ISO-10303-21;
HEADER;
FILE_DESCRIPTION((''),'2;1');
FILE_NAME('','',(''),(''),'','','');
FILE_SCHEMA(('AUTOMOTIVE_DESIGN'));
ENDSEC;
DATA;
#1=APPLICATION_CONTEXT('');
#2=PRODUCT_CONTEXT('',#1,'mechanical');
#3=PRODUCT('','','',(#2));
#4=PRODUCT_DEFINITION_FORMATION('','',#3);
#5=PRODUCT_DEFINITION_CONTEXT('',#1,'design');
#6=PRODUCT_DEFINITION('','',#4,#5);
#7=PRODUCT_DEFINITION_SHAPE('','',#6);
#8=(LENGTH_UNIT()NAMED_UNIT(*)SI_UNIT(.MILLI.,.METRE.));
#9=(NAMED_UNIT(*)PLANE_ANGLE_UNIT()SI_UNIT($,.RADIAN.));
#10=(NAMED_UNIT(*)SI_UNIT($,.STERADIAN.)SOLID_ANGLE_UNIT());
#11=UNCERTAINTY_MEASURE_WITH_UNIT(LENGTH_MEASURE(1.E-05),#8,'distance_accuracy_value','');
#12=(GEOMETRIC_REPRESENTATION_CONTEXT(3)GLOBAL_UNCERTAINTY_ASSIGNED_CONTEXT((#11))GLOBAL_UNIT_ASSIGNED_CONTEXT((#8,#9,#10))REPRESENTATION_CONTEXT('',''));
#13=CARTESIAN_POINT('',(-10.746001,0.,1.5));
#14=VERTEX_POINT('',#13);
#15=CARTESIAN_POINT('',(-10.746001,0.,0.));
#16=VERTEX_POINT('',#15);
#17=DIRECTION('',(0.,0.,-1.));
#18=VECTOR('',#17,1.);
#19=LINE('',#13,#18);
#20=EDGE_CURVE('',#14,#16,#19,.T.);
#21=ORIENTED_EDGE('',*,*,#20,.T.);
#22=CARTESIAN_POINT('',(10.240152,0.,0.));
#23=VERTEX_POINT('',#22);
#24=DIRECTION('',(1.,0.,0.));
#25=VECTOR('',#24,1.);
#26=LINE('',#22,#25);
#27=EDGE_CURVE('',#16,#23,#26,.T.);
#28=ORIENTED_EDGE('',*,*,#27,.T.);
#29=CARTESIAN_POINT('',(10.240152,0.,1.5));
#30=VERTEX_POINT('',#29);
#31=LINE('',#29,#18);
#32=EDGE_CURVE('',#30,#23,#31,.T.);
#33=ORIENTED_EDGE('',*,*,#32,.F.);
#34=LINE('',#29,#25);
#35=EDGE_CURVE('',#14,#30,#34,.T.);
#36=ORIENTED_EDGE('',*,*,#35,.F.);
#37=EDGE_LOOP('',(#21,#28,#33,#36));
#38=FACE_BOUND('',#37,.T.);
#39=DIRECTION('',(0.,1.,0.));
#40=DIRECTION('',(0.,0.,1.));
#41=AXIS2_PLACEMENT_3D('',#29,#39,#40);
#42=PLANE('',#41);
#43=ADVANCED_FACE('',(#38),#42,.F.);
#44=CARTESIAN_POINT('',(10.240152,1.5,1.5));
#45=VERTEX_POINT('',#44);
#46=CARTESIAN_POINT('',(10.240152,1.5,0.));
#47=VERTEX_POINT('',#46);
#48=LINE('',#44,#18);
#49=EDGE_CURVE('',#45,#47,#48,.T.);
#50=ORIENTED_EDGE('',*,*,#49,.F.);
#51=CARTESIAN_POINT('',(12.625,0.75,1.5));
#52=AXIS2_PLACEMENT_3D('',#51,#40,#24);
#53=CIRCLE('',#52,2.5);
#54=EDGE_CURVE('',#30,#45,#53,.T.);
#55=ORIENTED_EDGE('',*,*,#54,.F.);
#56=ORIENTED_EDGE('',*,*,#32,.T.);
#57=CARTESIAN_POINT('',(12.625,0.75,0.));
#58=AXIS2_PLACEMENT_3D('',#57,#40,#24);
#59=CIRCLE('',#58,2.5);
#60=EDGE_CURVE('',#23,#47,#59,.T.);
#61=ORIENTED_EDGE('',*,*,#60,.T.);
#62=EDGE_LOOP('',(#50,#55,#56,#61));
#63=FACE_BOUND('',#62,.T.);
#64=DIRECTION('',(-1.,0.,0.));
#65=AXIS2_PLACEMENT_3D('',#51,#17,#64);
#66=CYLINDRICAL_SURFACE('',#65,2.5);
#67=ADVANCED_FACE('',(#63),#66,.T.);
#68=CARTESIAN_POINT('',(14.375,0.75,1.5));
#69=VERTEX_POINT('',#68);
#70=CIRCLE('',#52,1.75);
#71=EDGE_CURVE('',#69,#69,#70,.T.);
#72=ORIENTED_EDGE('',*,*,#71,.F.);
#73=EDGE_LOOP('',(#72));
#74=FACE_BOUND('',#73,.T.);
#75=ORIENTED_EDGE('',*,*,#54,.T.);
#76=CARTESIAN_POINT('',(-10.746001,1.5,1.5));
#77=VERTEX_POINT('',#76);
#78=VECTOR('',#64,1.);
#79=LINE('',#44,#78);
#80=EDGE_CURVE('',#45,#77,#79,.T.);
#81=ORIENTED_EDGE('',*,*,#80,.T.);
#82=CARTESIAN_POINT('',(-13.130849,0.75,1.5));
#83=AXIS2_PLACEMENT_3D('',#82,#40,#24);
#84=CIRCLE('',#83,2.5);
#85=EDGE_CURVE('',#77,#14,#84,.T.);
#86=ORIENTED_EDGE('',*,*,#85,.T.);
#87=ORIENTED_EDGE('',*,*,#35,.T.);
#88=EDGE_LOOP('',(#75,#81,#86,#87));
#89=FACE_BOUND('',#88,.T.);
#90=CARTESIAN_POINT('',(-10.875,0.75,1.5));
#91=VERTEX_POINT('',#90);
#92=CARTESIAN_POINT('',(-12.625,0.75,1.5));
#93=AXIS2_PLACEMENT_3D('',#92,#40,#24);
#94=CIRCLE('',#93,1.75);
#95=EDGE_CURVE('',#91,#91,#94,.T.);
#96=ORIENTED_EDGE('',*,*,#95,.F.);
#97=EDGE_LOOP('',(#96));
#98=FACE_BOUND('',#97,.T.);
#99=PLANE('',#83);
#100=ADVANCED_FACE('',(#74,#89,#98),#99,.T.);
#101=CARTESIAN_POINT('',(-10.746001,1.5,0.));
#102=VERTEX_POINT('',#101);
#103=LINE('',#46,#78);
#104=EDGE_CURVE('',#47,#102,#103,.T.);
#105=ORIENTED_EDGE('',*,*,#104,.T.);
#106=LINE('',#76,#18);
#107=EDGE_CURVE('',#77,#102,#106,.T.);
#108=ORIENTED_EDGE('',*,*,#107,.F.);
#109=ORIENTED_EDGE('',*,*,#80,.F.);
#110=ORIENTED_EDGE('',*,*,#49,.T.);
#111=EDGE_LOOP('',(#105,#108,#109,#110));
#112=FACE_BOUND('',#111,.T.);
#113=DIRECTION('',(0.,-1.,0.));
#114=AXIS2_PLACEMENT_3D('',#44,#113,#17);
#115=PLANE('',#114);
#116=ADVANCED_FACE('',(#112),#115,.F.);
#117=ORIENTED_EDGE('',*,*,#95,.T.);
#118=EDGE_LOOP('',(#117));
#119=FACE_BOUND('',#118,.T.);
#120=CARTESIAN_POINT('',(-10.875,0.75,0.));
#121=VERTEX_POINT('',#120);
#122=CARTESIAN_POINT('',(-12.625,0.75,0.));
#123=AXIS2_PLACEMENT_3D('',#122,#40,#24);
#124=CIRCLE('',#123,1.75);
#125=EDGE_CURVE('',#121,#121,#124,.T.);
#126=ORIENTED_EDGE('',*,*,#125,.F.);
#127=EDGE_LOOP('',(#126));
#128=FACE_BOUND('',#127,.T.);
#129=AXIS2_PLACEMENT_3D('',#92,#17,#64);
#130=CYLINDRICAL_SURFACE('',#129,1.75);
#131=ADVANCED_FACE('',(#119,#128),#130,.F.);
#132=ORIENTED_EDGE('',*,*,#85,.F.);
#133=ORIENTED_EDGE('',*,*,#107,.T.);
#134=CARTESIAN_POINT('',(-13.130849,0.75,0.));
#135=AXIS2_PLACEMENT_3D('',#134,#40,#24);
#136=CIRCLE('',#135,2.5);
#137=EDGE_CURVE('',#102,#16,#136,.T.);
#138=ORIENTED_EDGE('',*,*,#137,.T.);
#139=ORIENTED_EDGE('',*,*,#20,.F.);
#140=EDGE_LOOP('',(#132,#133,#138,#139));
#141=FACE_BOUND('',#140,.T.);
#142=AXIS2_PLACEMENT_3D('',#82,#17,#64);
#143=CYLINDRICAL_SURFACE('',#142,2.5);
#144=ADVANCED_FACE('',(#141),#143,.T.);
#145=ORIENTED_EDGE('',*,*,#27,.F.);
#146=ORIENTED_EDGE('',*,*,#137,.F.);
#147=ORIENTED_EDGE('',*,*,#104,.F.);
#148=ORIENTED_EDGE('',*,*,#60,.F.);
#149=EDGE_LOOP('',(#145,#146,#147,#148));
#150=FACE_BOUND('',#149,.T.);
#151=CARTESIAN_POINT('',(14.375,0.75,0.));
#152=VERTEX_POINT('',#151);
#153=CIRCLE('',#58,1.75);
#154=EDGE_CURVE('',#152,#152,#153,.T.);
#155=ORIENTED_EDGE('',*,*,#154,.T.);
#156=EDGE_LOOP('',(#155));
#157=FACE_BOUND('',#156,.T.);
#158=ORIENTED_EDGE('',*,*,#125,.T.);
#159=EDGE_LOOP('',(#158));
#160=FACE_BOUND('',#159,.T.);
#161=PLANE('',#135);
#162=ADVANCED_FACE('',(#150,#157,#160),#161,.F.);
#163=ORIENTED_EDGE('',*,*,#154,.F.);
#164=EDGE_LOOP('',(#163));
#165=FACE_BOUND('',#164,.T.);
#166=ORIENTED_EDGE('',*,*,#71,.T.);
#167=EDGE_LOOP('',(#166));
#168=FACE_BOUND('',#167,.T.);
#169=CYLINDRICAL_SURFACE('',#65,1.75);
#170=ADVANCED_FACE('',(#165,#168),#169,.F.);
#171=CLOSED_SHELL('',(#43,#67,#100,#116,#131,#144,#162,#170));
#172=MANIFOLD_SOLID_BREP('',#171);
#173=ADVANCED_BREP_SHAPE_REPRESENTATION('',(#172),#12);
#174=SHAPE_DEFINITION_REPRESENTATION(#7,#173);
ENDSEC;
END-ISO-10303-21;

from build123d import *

# Parameters (mm, degrees)
SKETCH1_R           = 1.75
BOSS_EXTRUDE1_DEPTH = 1.5


with BuildPart() as part:
    # Sketch1 → Boss-Extrude1 (new body)
    with BuildSketch(Plane.XY):
        with BuildLine():
            Line((10.240151996, 1.5), (-10.746000706, 1.5))
            ThreePointArc((-10.746000706, 1.5), (-15.63084871, 0.75), (-10.746000706, 0))
            Line((-10.746000706, 0), (10.240151996, 0))
            ThreePointArc((10.240151996, 0), (15.125, 0.75), (10.240151996, 1.5))
        make_face()
        with Locations((-12.625, 0.75)):
            Circle(SKETCH1_R, mode=Mode.SUBTRACT)
        with Locations((12.625, 0.75)):
            Circle(SKETCH1_R, mode=Mode.SUBTRACT)
    extrude(amount=BOSS_EXTRUDE1_DEPTH)


solid = part.part
